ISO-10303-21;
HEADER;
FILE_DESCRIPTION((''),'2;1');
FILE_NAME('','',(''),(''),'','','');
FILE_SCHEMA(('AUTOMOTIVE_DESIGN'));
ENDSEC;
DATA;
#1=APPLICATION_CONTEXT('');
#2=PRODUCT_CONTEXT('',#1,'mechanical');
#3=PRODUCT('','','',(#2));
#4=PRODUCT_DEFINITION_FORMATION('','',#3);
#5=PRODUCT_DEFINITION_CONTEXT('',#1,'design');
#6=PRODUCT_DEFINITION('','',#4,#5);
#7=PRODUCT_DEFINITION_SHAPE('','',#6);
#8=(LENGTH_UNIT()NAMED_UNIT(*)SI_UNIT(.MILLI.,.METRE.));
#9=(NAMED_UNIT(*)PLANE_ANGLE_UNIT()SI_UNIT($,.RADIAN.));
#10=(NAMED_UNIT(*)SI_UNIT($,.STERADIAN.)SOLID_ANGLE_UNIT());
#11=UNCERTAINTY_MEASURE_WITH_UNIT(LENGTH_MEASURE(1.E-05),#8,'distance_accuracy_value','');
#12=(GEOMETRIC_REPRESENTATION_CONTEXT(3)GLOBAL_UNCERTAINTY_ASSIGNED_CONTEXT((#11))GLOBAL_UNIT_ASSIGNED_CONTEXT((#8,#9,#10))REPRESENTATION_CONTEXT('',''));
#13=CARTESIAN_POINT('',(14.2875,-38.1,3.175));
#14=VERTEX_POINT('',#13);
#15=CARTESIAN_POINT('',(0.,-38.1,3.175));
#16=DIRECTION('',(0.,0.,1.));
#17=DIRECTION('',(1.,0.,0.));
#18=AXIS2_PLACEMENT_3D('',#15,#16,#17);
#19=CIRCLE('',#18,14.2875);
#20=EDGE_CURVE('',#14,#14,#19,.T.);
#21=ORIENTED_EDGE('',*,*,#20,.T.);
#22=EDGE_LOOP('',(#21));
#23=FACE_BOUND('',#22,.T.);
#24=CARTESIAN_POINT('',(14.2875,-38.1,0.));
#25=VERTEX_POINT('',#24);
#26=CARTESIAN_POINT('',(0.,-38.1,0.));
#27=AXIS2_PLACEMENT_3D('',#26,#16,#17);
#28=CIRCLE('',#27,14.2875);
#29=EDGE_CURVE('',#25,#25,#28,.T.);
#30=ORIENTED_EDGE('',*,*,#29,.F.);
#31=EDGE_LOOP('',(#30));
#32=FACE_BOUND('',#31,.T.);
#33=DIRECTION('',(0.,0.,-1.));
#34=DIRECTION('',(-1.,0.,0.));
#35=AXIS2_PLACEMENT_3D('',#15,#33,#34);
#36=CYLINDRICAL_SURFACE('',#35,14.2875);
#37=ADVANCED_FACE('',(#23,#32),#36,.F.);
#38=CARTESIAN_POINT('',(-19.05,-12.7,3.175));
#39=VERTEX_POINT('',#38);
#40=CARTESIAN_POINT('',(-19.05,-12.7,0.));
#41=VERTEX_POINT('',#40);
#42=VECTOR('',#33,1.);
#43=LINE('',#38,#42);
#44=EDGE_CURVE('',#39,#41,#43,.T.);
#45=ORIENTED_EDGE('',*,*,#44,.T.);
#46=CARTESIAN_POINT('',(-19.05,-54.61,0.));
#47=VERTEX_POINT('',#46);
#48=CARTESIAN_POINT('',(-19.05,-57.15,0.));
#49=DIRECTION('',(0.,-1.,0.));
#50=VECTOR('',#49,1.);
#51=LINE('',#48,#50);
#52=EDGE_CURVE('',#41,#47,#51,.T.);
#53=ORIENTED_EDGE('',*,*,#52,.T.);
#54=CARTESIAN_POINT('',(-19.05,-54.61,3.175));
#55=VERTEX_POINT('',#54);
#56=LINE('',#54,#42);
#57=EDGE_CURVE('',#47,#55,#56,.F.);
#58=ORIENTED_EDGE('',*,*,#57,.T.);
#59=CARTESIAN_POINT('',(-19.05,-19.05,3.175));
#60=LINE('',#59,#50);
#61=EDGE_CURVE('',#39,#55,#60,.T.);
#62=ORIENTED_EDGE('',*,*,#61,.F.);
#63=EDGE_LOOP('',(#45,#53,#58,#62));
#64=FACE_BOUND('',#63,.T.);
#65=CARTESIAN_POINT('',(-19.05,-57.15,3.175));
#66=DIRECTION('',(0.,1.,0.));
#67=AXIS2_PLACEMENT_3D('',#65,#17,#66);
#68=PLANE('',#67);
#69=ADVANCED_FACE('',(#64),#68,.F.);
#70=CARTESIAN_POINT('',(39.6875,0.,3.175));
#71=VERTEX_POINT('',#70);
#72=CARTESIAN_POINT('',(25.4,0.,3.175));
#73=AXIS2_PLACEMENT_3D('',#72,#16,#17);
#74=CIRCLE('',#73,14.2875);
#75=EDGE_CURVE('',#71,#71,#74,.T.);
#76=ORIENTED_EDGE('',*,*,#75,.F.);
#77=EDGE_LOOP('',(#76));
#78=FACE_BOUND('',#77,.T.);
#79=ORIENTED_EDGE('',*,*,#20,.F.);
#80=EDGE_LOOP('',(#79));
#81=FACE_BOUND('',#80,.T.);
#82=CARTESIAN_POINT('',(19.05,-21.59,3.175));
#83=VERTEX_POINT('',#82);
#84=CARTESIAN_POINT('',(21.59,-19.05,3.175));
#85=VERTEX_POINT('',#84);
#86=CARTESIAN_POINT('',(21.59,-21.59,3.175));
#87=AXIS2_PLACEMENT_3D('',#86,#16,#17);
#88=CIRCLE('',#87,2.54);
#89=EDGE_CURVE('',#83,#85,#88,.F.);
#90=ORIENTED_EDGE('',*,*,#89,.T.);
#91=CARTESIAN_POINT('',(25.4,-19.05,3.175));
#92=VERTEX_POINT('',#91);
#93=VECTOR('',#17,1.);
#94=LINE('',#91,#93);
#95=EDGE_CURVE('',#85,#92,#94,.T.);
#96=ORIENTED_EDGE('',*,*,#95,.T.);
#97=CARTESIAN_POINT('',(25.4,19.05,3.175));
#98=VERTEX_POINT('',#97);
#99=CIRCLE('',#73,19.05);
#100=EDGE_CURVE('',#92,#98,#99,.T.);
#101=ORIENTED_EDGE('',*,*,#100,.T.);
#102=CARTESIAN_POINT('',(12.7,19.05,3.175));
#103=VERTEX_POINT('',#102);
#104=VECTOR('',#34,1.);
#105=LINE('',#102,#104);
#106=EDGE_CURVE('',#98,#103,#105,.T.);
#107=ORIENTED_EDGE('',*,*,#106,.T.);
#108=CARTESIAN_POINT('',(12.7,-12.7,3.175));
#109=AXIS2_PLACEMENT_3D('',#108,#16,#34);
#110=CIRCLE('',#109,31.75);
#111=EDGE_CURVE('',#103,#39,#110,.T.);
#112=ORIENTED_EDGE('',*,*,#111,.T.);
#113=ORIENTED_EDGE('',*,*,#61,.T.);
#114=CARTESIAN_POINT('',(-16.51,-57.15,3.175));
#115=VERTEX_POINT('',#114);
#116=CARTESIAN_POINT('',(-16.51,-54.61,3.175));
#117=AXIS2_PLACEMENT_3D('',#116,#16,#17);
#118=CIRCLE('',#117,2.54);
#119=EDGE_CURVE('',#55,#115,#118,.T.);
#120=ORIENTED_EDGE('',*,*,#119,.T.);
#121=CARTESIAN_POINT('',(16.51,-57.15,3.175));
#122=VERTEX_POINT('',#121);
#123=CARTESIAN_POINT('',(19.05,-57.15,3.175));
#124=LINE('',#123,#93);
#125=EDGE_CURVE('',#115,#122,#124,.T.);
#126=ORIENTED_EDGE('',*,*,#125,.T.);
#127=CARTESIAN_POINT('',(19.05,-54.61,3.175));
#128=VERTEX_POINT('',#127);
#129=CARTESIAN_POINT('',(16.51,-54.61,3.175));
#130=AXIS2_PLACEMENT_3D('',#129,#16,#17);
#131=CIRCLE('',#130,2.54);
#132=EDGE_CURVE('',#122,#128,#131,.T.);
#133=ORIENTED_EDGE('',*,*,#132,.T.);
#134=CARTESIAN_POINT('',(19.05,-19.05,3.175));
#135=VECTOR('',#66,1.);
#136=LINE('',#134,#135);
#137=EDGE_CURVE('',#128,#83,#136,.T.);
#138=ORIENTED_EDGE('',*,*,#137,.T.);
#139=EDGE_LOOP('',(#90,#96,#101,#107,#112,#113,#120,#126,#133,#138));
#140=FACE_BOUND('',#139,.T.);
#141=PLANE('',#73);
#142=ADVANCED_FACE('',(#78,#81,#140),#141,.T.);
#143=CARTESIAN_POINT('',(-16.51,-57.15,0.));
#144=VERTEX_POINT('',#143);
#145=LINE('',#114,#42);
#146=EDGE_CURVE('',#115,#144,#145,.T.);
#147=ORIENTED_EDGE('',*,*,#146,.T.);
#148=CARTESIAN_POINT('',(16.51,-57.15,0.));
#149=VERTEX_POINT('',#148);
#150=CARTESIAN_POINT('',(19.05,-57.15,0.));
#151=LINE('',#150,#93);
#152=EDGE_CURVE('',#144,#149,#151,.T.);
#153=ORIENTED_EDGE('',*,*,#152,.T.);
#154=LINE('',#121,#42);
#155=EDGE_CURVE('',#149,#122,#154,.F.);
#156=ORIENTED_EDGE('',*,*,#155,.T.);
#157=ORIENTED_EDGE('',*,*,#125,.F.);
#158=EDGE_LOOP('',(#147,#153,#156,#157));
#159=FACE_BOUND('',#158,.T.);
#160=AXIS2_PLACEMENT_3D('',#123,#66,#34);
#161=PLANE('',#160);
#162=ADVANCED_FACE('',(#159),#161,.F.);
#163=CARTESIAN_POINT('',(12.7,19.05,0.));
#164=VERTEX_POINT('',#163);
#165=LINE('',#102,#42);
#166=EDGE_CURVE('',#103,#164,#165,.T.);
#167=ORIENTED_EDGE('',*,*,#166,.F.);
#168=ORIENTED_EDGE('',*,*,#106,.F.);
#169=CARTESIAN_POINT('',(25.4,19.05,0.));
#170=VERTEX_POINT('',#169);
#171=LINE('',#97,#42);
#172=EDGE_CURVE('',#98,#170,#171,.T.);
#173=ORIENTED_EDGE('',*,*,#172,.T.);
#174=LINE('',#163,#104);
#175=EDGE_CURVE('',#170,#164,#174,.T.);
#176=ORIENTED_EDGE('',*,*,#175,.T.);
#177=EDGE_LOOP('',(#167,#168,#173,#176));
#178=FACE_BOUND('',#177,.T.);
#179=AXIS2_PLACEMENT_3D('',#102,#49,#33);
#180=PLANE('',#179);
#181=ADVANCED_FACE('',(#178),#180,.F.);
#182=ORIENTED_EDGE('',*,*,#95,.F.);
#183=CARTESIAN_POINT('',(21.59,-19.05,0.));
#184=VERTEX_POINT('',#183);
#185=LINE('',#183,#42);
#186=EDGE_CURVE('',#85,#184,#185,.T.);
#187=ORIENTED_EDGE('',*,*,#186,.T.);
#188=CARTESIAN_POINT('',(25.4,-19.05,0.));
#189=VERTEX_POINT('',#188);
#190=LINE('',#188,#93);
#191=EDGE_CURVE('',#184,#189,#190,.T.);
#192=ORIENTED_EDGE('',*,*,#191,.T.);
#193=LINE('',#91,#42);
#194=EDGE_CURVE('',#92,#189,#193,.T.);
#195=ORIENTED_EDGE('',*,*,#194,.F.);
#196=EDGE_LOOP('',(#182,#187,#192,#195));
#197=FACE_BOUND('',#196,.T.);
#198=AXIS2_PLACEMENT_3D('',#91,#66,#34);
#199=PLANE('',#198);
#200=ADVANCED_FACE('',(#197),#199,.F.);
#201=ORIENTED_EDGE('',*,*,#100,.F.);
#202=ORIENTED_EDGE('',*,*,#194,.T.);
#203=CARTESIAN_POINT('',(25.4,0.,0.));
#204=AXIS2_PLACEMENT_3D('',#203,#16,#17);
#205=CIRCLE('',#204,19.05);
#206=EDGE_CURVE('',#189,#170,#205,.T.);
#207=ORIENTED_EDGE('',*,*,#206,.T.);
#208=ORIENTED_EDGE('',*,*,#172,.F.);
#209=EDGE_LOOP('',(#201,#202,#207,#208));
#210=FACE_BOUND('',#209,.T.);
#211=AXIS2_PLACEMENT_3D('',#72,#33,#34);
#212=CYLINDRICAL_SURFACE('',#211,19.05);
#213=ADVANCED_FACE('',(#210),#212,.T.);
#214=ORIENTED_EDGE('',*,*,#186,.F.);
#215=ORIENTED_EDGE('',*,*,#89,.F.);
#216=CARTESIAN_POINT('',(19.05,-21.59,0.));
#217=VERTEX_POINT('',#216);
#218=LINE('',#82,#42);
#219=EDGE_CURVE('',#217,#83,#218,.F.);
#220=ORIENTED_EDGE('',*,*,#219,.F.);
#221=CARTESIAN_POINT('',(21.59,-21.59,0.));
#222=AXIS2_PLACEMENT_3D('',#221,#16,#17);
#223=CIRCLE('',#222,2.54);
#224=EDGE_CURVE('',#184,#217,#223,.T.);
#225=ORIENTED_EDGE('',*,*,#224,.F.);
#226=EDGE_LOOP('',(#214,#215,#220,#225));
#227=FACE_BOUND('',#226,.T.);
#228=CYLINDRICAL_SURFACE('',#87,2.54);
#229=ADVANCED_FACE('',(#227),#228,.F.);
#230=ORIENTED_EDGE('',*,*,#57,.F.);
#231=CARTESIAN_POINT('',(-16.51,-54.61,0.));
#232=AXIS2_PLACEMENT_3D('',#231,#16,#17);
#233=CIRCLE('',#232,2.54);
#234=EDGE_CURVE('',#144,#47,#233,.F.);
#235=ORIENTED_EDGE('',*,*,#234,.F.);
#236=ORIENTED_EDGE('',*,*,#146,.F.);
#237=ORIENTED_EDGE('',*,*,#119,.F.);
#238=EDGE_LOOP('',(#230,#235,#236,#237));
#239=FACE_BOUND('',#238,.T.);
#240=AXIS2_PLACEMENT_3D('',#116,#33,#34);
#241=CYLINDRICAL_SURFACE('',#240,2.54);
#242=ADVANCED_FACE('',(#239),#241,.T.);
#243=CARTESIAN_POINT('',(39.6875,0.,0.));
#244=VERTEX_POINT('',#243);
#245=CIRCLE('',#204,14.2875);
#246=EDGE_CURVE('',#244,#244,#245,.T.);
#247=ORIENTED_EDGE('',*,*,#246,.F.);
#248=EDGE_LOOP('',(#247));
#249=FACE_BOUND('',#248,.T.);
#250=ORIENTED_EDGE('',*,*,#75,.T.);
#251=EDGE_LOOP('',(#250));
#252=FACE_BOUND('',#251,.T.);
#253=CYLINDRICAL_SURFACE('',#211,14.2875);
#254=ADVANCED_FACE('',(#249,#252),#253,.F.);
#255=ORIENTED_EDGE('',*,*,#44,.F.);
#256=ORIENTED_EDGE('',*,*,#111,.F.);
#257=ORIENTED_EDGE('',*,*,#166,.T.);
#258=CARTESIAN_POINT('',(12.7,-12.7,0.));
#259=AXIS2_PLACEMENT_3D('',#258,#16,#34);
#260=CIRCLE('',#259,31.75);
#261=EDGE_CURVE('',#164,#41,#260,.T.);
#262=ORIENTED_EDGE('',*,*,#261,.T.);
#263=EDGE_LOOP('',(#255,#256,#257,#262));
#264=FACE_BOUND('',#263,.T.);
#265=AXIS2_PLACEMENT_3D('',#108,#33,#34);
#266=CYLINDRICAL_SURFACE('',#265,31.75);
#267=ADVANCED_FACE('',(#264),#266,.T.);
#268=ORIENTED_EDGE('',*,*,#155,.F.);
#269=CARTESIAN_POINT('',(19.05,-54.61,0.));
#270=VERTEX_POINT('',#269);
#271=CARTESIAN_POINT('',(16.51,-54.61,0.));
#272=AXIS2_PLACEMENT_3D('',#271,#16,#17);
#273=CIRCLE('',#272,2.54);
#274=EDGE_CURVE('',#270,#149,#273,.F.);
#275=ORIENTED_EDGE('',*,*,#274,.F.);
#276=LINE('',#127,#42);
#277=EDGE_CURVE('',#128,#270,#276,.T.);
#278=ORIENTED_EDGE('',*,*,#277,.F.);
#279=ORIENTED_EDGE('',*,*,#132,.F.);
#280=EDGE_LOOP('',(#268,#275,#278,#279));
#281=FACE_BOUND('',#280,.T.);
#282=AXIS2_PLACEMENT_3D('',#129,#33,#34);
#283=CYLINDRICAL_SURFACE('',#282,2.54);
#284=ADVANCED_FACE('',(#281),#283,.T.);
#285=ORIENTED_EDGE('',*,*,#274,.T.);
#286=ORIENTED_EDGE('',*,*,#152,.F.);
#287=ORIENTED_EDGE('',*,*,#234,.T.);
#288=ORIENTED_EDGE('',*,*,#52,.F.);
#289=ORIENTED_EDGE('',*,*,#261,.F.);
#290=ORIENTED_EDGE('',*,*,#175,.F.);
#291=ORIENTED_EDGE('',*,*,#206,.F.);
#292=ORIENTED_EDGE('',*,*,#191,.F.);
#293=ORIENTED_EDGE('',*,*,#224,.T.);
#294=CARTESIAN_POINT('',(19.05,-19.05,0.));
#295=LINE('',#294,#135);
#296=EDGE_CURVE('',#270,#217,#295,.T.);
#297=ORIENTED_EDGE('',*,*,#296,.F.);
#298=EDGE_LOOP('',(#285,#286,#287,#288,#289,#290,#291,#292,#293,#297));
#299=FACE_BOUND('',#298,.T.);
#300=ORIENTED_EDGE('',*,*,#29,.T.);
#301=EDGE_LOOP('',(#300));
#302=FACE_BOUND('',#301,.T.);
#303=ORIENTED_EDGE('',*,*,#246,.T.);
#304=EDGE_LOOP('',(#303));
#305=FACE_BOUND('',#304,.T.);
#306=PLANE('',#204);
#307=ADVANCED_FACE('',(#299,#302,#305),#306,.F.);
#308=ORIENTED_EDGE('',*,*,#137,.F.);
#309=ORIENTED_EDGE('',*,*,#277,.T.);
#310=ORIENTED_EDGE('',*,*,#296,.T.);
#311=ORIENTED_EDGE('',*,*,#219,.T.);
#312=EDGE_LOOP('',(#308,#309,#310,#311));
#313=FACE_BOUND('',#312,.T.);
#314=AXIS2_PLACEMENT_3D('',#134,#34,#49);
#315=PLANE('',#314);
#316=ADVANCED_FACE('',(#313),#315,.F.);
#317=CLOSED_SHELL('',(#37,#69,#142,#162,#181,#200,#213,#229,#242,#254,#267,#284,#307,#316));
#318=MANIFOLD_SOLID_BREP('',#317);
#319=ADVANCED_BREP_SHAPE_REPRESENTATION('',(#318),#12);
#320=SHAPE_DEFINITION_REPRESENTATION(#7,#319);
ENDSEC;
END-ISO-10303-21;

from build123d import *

# Parameters (mm, degrees)
SKETCH1_R           = 14.2875
BOSS_EXTRUDE1_DEPTH = 3.175
FILLET1_R           = 2.54


with BuildPart() as part:
    # Sketch1 → Boss-Extrude1 (new body)
    with BuildSketch(Plane.XY):
        with BuildLine():
            Line((25.4, -19.05), (19.05, -19.05))
            Line((19.05, -19.05), (19.05, -57.15))
            Line((19.05, -57.15), (-19.05, -57.15))
            Line((-19.05, -57.15), (-19.05, -19.05))
            Line((-19.05, -19.05), (-19.05, -12.7))
            ThreePointArc((-19.05, -12.7), (-9.750640303, 9.750640303), (12.7, 19.05))
            Line((12.7, 19.05), (25.4, 19.05))
            ThreePointArc((25.4, 19.05), (44.45, 0), (25.4, -19.05))
        make_face()
        with Locations((25.4, 0)):
            Circle(SKETCH1_R, mode=Mode.SUBTRACT)
        with Locations((0, -38.1)):
            Circle(SKETCH1_R, mode=Mode.SUBTRACT)
    extrude(amount=BOSS_EXTRUDE1_DEPTH)

    # Fillet1
    fillet1_edges = [part.edges().sort_by_distance(p)[0] for p in [
        (19.05, -19.05, 1.5875),
        (19.05, -57.15, 1.5875),
        (-19.05, -57.15, 1.5875),
    ]]
    fillet(fillet1_edges, radius=FILLET1_R)


solid = part.part
